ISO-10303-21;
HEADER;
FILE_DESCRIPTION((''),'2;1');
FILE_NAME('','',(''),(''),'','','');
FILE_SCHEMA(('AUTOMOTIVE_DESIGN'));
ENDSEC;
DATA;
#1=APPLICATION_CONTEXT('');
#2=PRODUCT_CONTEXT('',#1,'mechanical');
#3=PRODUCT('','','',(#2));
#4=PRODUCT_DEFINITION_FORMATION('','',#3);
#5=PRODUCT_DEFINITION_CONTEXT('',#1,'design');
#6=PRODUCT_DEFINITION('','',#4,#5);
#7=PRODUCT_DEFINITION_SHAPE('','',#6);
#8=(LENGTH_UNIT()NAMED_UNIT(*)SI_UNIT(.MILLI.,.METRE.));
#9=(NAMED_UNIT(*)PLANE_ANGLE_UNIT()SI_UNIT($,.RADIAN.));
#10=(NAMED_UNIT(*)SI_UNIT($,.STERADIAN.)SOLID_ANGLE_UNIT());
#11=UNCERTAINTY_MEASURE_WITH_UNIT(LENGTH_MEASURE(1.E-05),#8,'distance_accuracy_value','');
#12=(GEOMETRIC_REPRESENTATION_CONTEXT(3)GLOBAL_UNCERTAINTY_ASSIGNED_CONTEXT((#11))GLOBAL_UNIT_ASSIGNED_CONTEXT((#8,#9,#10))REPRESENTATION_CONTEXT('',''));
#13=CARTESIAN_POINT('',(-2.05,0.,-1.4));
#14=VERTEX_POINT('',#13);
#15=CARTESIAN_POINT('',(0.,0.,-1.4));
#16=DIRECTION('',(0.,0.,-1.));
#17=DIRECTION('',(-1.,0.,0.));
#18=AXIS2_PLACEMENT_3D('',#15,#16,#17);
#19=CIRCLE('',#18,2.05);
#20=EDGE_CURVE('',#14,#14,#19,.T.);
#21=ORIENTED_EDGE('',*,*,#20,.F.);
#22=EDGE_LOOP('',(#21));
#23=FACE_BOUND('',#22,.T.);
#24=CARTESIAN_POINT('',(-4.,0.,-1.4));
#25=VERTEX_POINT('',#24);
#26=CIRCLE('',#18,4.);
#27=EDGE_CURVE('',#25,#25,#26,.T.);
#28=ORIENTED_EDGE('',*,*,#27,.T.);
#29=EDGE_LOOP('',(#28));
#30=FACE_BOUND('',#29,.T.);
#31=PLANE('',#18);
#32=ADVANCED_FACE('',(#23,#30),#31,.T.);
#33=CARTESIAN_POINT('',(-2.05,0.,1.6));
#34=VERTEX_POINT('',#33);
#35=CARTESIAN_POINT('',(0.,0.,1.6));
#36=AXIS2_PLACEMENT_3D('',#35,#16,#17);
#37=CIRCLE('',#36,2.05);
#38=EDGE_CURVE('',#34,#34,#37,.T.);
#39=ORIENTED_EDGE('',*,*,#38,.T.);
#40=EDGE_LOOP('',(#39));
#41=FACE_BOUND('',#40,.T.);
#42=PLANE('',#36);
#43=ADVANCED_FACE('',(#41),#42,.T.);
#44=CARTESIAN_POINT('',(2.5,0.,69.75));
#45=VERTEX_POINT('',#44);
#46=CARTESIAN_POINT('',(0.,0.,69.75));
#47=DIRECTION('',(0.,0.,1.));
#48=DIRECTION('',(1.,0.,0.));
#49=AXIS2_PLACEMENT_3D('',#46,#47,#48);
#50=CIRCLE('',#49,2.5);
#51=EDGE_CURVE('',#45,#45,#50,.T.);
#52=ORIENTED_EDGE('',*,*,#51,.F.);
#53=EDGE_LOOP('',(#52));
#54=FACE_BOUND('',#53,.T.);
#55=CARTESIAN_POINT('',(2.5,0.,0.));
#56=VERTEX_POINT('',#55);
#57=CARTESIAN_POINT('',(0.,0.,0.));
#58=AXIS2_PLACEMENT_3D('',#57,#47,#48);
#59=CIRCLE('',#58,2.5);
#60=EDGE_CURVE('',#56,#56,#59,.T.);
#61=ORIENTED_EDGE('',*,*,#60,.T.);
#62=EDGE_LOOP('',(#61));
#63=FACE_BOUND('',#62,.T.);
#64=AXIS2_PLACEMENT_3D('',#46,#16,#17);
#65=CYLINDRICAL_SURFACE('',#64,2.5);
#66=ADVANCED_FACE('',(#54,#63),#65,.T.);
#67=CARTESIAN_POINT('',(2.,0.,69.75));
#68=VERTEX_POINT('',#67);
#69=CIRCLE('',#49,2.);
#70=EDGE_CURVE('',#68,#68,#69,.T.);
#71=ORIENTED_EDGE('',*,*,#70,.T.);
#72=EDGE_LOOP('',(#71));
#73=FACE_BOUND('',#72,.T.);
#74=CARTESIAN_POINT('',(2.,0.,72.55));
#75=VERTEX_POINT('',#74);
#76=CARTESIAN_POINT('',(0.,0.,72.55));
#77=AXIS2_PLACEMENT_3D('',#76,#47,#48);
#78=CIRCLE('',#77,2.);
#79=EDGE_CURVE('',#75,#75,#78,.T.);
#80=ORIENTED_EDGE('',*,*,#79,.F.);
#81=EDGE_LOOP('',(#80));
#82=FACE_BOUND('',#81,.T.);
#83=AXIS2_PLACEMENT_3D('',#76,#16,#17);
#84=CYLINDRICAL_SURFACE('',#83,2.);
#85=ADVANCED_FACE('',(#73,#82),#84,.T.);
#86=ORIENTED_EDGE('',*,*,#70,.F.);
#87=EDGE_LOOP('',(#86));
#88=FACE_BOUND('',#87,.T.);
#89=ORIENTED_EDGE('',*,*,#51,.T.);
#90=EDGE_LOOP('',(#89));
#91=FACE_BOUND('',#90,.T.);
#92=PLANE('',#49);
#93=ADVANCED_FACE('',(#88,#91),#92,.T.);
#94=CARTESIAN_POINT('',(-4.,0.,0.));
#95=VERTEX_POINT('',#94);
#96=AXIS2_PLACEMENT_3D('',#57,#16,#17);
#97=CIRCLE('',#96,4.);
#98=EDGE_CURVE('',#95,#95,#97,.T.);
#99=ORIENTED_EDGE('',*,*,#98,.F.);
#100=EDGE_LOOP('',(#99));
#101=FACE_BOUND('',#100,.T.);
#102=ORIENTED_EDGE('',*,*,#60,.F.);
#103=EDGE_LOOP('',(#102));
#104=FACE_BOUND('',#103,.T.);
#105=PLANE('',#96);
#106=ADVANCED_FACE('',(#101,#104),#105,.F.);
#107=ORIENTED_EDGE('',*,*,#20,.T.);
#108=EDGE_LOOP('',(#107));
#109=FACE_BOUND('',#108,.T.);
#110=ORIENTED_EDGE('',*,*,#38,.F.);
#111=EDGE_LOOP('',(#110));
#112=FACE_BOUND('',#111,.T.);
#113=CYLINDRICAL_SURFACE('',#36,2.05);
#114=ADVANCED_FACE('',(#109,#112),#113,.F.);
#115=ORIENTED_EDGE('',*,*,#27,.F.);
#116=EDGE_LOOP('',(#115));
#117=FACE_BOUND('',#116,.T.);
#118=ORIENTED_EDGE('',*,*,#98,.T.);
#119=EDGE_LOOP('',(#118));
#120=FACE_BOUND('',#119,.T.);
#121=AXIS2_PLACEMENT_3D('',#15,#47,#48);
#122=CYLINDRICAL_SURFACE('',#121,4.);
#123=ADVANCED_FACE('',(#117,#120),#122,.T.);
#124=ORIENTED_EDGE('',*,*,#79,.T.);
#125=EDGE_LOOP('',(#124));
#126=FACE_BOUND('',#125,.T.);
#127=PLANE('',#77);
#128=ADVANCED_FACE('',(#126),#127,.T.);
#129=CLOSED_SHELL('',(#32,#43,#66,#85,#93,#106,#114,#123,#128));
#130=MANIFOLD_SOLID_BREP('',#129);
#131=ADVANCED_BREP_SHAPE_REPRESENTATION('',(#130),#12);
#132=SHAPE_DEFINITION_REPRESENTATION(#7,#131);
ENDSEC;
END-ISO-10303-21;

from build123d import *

# Parameters (mm, degrees)
SKETCH1_R           = 2.5
BOSS_EXTRUDE1_DEPTH = 69.75
SKETCH2_R           = 4
BOSS_EXTRUDE2_DEPTH = 1.4
SKETCH3_R           = 2.05
CUT_EXTRUDE1_DEPTH  = 3
SKETCH4_R           = 2
BOSS_EXTRUDE3_DEPTH = 2.8


with BuildPart() as part:
    # Sketch1 → Boss-Extrude1 (new body)
    with BuildSketch(Plane(origin=(0, 0, 0), x_dir=(0, 1, 0), z_dir=(0, 0, 1))):
        with Locations(Location((0, 0, 0), (0, 0, 270))):
            Circle(SKETCH1_R)
    extrude(amount=BOSS_EXTRUDE1_DEPTH)

    # Sketch2 → Boss-Extrude2 (add)
    with BuildSketch(Plane(origin=(0, 0, 0), x_dir=(1, 0, 0), z_dir=(0, 0, -1))):
        with Locations(Location((0, 0, 0), (0, 0, 180))):
            Circle(SKETCH2_R)
    extrude(amount=BOSS_EXTRUDE2_DEPTH)

    # Sketch3 → Cut-Extrude1 (cut)
    with BuildSketch(Plane(origin=(0, 0, -1.4), x_dir=(1, 0, 0), z_dir=(0, 0, -1))):
        with Locations(Location((0, 0, 0), (0, 0, 180))):
            Circle(SKETCH3_R)
    extrude(amount=-CUT_EXTRUDE1_DEPTH, mode=Mode.SUBTRACT)

    # Sketch4 → Boss-Extrude3 (add)
    with BuildSketch(Plane.XY.offset(69.75)):
        Circle(SKETCH4_R)
    extrude(amount=BOSS_EXTRUDE3_DEPTH)


solid = part.part
